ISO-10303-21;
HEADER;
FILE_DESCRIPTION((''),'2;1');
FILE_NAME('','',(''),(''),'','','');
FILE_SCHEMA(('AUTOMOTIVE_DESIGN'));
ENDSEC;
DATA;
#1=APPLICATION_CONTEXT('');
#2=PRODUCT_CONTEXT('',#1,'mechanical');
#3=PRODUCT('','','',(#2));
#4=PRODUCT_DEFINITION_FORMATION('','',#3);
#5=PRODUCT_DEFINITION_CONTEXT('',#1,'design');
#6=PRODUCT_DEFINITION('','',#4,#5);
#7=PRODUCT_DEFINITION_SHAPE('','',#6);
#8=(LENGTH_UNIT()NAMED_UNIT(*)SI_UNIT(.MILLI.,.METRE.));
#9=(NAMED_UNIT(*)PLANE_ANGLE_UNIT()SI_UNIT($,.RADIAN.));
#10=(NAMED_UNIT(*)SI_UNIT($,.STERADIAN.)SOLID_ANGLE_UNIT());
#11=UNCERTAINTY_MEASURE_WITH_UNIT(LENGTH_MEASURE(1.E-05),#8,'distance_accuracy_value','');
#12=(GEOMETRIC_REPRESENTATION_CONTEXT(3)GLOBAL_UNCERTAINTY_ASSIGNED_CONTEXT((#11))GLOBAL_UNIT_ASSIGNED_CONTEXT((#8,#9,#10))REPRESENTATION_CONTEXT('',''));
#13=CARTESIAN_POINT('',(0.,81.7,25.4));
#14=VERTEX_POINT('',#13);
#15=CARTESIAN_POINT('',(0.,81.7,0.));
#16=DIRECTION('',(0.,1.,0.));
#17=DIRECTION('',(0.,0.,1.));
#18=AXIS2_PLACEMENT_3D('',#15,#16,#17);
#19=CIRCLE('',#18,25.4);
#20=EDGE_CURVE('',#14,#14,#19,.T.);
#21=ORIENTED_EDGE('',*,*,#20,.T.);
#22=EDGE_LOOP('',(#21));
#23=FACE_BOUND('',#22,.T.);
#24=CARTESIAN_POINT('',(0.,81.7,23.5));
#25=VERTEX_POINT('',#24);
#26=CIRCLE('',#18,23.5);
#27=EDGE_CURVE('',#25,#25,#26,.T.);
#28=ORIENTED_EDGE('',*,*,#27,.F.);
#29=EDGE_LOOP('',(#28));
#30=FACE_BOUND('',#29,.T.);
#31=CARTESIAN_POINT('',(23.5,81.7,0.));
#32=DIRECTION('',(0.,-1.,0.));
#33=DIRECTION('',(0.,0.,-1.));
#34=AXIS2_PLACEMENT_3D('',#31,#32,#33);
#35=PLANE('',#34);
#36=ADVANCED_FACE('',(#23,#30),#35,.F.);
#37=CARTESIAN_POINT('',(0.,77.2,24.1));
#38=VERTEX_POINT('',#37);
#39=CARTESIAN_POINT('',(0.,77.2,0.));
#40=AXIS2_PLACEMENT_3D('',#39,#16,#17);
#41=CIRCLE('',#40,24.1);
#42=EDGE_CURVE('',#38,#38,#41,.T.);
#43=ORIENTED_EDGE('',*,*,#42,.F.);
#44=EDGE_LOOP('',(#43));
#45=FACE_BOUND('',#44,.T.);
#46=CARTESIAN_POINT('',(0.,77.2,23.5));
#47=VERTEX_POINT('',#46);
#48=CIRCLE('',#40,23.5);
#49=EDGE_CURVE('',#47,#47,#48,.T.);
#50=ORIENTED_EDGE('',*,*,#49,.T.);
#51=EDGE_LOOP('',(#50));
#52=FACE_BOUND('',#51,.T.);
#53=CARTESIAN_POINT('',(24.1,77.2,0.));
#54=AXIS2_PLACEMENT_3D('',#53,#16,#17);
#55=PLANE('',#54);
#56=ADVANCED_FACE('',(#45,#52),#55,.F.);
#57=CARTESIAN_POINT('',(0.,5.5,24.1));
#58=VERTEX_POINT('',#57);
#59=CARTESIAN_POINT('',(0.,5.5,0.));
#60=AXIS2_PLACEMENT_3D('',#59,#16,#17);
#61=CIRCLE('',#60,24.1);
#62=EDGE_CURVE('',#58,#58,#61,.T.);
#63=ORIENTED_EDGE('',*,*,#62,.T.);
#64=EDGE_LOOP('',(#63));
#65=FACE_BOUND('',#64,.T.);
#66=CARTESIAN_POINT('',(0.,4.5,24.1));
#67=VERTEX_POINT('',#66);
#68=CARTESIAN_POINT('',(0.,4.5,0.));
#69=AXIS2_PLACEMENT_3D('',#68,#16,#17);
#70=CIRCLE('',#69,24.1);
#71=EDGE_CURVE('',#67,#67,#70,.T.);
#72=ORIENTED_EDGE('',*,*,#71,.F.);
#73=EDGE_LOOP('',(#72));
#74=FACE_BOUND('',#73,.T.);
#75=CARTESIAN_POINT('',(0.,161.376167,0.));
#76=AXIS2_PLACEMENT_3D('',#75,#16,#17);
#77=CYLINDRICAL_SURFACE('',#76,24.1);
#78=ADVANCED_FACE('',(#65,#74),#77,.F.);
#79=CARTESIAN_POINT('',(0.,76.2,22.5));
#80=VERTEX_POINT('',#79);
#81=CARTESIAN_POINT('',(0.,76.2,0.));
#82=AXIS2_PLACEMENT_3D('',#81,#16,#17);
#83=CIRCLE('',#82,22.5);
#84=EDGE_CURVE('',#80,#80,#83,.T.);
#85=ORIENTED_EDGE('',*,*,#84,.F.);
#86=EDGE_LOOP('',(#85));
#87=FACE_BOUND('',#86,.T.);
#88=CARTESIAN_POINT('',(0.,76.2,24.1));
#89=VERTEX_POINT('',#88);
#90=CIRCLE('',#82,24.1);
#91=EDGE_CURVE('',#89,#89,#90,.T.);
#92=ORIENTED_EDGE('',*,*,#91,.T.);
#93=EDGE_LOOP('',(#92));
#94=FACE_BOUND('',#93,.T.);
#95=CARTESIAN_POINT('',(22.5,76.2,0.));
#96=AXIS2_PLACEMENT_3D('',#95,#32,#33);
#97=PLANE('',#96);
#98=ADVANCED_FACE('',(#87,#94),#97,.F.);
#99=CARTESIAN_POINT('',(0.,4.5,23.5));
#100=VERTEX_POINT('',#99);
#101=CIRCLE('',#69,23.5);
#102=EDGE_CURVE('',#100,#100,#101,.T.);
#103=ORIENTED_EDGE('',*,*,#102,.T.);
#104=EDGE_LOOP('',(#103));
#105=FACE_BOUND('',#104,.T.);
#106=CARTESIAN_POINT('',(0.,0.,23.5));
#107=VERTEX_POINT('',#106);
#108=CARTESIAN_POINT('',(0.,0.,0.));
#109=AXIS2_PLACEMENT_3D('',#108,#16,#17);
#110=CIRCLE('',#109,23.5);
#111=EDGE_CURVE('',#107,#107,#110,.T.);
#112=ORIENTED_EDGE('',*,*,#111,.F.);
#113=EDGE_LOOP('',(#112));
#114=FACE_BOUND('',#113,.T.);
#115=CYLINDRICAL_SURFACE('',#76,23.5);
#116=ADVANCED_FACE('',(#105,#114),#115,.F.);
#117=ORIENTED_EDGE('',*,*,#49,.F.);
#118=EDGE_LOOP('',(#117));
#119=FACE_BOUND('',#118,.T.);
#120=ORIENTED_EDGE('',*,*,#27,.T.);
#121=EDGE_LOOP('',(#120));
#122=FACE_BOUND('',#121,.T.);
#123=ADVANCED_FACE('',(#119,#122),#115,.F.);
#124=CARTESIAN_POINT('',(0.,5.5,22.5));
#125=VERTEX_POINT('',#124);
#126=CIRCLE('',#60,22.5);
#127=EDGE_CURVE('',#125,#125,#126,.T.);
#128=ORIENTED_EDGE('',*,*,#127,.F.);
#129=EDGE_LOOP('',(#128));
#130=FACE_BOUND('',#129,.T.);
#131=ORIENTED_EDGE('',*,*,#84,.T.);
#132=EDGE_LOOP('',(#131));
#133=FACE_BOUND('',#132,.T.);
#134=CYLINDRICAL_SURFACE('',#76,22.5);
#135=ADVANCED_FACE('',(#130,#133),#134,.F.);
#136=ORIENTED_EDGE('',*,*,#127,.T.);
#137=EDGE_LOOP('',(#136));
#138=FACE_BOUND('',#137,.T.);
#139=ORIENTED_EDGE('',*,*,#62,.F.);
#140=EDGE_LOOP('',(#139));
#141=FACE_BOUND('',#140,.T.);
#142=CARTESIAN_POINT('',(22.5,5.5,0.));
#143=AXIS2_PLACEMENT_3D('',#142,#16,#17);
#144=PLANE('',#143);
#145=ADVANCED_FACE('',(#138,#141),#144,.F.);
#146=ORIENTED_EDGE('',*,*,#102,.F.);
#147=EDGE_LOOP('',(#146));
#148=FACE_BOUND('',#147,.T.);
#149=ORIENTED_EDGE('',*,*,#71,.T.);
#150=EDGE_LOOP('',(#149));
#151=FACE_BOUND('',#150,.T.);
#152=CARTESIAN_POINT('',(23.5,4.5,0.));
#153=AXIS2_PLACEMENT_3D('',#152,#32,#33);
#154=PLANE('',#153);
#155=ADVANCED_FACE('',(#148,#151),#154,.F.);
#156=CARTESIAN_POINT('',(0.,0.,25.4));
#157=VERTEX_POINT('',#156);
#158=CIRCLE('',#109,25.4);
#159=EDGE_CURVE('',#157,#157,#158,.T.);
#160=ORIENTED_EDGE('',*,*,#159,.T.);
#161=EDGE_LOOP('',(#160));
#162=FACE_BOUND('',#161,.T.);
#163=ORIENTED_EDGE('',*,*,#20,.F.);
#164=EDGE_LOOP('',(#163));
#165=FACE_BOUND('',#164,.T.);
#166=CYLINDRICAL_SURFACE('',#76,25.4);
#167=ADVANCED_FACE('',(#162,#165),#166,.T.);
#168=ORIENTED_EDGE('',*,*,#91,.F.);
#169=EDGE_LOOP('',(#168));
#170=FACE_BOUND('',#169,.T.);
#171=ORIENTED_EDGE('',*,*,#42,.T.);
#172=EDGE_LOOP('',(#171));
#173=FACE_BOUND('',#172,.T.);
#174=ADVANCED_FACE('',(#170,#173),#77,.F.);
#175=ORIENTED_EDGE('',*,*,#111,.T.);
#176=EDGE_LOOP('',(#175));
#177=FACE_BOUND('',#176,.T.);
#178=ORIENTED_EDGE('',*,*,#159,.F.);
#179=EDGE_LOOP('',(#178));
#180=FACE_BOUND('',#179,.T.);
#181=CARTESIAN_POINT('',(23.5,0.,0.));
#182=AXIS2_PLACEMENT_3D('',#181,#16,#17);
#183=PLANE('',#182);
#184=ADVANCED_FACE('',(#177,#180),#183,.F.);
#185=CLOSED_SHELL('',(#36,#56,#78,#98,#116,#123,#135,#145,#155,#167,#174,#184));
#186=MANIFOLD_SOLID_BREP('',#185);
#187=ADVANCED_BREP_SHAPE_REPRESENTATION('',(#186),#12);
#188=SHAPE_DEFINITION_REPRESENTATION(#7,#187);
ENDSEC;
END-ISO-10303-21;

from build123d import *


with BuildPart() as part:
    # 草图1 → 旋转1 (revolve)
    with BuildSketch(Plane.XY, mode=Mode.PRIVATE) as revolve_1_sk:
        Polygon((25.4, 0), (25.4, 81.7), (23.5, 81.7), (23.5, 77.2), (24.1, 77.2), (24.1, 76.2), (22.5, 76.2), (22.5, 5.5), (24.1, 5.5), (24.1, 4.5), (23.5, 4.5), (23.5, 0), align=None)
    revolve(revolve_1_sk.sketch.rotate(Axis((0, 161.376166943, 0), (0, -1, 0)), 90), axis=Axis((0, 161.376166943, 0), (0, -1, 0)))  # turned: the seam where the file's is


solid = part.part
